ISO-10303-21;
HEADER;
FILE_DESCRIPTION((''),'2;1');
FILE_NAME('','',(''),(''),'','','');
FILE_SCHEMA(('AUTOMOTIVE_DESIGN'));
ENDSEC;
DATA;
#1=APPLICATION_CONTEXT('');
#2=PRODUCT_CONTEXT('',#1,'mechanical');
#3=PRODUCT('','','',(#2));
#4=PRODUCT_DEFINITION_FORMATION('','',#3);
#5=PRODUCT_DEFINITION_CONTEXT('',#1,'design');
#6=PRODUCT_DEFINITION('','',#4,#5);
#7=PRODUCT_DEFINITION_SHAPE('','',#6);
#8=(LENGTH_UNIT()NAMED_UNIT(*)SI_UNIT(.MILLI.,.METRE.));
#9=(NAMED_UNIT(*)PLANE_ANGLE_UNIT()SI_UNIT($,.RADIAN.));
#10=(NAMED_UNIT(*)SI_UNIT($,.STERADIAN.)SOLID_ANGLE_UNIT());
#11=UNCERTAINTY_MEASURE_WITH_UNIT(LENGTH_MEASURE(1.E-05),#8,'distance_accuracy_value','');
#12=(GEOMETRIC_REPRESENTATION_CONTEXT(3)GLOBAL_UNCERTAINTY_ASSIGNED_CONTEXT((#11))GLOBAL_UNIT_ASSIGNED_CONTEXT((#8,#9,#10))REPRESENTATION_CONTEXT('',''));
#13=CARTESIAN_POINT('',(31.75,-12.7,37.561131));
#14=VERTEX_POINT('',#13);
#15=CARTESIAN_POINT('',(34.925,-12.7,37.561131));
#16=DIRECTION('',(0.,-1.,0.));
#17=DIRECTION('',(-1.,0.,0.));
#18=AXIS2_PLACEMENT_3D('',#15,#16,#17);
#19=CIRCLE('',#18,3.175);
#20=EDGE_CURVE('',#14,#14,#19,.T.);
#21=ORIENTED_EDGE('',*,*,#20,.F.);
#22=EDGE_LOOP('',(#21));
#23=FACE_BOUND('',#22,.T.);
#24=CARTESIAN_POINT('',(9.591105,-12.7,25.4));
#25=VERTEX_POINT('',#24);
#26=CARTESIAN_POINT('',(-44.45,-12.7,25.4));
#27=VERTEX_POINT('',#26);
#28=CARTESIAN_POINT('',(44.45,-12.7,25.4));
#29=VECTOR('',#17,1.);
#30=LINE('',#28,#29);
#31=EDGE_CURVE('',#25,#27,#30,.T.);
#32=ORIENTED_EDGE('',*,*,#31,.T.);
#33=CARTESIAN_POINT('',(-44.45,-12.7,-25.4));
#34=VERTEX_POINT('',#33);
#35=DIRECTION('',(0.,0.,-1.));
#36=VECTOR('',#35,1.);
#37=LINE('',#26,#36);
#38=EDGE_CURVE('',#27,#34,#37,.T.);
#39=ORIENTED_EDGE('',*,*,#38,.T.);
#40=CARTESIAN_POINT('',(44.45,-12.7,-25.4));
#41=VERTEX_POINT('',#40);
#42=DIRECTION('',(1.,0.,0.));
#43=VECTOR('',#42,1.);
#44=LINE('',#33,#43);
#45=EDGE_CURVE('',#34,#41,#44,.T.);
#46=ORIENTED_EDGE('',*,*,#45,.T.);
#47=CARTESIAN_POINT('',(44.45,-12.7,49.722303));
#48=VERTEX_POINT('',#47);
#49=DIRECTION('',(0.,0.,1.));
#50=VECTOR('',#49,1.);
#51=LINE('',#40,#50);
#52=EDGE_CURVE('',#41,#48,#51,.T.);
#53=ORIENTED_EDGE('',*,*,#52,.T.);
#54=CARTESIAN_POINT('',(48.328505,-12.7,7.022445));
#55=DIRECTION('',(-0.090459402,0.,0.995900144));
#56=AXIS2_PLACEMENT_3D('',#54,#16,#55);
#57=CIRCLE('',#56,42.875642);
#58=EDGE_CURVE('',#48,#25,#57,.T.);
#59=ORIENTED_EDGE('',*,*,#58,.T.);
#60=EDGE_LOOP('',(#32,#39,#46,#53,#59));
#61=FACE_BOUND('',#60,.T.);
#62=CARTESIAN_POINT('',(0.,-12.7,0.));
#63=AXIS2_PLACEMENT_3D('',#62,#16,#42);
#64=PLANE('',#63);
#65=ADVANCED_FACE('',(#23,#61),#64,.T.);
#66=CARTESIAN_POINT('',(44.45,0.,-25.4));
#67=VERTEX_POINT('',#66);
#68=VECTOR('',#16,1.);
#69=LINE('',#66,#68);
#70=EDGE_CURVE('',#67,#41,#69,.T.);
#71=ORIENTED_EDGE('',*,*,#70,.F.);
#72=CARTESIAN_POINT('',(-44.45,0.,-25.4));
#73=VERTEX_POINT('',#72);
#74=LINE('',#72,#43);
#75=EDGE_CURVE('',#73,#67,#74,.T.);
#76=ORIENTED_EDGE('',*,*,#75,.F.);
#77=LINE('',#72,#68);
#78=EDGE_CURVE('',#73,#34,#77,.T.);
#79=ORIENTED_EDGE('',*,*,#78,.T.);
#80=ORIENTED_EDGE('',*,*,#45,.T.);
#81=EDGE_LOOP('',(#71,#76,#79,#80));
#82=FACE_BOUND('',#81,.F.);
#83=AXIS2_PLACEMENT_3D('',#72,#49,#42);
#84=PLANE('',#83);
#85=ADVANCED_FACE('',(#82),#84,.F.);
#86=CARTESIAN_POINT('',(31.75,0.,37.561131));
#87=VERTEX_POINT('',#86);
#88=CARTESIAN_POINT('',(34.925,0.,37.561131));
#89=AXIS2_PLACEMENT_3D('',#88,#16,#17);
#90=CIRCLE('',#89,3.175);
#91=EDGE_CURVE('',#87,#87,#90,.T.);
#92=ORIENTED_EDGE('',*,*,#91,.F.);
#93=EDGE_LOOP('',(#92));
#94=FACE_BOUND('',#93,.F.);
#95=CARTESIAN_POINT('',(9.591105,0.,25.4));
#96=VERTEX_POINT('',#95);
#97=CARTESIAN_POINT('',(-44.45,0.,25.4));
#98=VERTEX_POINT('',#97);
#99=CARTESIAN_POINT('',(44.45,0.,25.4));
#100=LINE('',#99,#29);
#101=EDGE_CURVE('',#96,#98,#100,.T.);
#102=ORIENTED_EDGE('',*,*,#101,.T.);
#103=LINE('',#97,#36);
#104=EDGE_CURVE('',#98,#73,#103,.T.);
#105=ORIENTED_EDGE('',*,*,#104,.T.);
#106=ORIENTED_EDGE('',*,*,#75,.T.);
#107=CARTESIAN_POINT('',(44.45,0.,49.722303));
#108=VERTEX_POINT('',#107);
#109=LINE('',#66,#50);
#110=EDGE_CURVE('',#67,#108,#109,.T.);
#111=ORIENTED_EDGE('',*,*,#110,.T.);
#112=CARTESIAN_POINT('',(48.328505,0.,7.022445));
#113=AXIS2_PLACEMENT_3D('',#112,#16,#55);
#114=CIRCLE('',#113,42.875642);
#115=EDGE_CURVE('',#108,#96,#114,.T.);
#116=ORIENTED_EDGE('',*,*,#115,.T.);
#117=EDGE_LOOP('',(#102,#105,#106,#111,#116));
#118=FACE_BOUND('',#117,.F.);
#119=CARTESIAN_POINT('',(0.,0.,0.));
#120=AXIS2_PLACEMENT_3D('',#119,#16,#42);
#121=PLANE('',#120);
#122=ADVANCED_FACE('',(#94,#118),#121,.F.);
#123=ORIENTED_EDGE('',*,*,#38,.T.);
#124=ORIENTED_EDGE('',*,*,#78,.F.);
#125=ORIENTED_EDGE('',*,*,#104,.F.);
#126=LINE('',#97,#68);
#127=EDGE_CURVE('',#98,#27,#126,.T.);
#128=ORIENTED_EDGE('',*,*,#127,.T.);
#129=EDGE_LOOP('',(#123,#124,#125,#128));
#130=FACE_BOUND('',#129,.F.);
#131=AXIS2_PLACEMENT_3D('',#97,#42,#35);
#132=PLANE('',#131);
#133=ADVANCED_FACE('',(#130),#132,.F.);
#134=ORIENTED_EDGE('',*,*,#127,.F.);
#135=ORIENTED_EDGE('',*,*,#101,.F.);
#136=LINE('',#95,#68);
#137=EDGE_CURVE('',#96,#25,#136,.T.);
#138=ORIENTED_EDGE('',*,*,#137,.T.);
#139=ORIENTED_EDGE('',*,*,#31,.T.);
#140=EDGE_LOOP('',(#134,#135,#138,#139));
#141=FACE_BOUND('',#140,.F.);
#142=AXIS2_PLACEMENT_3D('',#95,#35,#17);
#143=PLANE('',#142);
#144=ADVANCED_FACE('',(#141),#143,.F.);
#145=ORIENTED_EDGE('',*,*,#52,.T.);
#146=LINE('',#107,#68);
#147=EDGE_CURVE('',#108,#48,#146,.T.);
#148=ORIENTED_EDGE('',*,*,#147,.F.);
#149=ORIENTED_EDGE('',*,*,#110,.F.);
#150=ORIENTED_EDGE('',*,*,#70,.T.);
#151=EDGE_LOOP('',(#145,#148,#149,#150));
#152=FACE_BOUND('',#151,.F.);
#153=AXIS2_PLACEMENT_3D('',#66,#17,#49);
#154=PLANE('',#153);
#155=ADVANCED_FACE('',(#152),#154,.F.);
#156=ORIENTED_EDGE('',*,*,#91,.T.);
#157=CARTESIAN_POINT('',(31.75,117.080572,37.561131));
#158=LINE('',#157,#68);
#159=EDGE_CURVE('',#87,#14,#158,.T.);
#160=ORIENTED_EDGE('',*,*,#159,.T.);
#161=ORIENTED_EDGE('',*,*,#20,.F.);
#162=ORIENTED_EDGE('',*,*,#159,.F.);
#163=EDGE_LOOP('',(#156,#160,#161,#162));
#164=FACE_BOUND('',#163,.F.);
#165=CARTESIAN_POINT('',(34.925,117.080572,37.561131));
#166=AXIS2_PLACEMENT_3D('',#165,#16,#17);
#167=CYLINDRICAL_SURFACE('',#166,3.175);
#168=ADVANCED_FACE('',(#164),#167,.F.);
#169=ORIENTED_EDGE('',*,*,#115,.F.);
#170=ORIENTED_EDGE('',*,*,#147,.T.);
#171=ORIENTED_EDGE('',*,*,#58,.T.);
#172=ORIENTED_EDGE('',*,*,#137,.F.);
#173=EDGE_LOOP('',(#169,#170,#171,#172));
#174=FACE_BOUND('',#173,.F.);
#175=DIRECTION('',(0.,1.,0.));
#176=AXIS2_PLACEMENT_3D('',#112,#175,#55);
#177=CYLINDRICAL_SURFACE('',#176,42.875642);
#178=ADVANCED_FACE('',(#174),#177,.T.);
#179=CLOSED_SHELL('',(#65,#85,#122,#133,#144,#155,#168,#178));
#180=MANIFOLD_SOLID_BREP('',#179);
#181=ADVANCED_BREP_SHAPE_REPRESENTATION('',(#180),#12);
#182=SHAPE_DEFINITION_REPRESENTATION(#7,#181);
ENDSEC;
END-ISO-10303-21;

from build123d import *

# Parameters (mm, degrees)
F1_DEPTH = 12.7
F3_D     = 6.35


with BuildPart() as f1:
    # F0 (on Front) → F1 (new body)
    with BuildSketch(Plane.XZ):
        Polygon((-44.45, 25.4), (-44.45, -25.4), (44.45, -25.4), (44.45, 25.4), (9.5911053941, 25.4), align=None)
        with BuildLine():
            Line((9.5911053941, 25.4), (44.45, 25.4))
            Line((44.45, 25.4), (44.45, 49.722302705))
            ThreePointArc((44.45, 49.722302705), (23.794397435, 42.1848996722), (9.5911053941, 25.4))
        make_face()
    extrude(amount=F1_DEPTH)

    # F3 (through all)
    with Locations(Plane(origin=(0, 0, 0), x_dir=(1, 0, 0), z_dir=(0, 1, 0))):
        with Locations((34.925, -37.5611312118)):
            Hole(F3_D / 2)


solid = f1.part
